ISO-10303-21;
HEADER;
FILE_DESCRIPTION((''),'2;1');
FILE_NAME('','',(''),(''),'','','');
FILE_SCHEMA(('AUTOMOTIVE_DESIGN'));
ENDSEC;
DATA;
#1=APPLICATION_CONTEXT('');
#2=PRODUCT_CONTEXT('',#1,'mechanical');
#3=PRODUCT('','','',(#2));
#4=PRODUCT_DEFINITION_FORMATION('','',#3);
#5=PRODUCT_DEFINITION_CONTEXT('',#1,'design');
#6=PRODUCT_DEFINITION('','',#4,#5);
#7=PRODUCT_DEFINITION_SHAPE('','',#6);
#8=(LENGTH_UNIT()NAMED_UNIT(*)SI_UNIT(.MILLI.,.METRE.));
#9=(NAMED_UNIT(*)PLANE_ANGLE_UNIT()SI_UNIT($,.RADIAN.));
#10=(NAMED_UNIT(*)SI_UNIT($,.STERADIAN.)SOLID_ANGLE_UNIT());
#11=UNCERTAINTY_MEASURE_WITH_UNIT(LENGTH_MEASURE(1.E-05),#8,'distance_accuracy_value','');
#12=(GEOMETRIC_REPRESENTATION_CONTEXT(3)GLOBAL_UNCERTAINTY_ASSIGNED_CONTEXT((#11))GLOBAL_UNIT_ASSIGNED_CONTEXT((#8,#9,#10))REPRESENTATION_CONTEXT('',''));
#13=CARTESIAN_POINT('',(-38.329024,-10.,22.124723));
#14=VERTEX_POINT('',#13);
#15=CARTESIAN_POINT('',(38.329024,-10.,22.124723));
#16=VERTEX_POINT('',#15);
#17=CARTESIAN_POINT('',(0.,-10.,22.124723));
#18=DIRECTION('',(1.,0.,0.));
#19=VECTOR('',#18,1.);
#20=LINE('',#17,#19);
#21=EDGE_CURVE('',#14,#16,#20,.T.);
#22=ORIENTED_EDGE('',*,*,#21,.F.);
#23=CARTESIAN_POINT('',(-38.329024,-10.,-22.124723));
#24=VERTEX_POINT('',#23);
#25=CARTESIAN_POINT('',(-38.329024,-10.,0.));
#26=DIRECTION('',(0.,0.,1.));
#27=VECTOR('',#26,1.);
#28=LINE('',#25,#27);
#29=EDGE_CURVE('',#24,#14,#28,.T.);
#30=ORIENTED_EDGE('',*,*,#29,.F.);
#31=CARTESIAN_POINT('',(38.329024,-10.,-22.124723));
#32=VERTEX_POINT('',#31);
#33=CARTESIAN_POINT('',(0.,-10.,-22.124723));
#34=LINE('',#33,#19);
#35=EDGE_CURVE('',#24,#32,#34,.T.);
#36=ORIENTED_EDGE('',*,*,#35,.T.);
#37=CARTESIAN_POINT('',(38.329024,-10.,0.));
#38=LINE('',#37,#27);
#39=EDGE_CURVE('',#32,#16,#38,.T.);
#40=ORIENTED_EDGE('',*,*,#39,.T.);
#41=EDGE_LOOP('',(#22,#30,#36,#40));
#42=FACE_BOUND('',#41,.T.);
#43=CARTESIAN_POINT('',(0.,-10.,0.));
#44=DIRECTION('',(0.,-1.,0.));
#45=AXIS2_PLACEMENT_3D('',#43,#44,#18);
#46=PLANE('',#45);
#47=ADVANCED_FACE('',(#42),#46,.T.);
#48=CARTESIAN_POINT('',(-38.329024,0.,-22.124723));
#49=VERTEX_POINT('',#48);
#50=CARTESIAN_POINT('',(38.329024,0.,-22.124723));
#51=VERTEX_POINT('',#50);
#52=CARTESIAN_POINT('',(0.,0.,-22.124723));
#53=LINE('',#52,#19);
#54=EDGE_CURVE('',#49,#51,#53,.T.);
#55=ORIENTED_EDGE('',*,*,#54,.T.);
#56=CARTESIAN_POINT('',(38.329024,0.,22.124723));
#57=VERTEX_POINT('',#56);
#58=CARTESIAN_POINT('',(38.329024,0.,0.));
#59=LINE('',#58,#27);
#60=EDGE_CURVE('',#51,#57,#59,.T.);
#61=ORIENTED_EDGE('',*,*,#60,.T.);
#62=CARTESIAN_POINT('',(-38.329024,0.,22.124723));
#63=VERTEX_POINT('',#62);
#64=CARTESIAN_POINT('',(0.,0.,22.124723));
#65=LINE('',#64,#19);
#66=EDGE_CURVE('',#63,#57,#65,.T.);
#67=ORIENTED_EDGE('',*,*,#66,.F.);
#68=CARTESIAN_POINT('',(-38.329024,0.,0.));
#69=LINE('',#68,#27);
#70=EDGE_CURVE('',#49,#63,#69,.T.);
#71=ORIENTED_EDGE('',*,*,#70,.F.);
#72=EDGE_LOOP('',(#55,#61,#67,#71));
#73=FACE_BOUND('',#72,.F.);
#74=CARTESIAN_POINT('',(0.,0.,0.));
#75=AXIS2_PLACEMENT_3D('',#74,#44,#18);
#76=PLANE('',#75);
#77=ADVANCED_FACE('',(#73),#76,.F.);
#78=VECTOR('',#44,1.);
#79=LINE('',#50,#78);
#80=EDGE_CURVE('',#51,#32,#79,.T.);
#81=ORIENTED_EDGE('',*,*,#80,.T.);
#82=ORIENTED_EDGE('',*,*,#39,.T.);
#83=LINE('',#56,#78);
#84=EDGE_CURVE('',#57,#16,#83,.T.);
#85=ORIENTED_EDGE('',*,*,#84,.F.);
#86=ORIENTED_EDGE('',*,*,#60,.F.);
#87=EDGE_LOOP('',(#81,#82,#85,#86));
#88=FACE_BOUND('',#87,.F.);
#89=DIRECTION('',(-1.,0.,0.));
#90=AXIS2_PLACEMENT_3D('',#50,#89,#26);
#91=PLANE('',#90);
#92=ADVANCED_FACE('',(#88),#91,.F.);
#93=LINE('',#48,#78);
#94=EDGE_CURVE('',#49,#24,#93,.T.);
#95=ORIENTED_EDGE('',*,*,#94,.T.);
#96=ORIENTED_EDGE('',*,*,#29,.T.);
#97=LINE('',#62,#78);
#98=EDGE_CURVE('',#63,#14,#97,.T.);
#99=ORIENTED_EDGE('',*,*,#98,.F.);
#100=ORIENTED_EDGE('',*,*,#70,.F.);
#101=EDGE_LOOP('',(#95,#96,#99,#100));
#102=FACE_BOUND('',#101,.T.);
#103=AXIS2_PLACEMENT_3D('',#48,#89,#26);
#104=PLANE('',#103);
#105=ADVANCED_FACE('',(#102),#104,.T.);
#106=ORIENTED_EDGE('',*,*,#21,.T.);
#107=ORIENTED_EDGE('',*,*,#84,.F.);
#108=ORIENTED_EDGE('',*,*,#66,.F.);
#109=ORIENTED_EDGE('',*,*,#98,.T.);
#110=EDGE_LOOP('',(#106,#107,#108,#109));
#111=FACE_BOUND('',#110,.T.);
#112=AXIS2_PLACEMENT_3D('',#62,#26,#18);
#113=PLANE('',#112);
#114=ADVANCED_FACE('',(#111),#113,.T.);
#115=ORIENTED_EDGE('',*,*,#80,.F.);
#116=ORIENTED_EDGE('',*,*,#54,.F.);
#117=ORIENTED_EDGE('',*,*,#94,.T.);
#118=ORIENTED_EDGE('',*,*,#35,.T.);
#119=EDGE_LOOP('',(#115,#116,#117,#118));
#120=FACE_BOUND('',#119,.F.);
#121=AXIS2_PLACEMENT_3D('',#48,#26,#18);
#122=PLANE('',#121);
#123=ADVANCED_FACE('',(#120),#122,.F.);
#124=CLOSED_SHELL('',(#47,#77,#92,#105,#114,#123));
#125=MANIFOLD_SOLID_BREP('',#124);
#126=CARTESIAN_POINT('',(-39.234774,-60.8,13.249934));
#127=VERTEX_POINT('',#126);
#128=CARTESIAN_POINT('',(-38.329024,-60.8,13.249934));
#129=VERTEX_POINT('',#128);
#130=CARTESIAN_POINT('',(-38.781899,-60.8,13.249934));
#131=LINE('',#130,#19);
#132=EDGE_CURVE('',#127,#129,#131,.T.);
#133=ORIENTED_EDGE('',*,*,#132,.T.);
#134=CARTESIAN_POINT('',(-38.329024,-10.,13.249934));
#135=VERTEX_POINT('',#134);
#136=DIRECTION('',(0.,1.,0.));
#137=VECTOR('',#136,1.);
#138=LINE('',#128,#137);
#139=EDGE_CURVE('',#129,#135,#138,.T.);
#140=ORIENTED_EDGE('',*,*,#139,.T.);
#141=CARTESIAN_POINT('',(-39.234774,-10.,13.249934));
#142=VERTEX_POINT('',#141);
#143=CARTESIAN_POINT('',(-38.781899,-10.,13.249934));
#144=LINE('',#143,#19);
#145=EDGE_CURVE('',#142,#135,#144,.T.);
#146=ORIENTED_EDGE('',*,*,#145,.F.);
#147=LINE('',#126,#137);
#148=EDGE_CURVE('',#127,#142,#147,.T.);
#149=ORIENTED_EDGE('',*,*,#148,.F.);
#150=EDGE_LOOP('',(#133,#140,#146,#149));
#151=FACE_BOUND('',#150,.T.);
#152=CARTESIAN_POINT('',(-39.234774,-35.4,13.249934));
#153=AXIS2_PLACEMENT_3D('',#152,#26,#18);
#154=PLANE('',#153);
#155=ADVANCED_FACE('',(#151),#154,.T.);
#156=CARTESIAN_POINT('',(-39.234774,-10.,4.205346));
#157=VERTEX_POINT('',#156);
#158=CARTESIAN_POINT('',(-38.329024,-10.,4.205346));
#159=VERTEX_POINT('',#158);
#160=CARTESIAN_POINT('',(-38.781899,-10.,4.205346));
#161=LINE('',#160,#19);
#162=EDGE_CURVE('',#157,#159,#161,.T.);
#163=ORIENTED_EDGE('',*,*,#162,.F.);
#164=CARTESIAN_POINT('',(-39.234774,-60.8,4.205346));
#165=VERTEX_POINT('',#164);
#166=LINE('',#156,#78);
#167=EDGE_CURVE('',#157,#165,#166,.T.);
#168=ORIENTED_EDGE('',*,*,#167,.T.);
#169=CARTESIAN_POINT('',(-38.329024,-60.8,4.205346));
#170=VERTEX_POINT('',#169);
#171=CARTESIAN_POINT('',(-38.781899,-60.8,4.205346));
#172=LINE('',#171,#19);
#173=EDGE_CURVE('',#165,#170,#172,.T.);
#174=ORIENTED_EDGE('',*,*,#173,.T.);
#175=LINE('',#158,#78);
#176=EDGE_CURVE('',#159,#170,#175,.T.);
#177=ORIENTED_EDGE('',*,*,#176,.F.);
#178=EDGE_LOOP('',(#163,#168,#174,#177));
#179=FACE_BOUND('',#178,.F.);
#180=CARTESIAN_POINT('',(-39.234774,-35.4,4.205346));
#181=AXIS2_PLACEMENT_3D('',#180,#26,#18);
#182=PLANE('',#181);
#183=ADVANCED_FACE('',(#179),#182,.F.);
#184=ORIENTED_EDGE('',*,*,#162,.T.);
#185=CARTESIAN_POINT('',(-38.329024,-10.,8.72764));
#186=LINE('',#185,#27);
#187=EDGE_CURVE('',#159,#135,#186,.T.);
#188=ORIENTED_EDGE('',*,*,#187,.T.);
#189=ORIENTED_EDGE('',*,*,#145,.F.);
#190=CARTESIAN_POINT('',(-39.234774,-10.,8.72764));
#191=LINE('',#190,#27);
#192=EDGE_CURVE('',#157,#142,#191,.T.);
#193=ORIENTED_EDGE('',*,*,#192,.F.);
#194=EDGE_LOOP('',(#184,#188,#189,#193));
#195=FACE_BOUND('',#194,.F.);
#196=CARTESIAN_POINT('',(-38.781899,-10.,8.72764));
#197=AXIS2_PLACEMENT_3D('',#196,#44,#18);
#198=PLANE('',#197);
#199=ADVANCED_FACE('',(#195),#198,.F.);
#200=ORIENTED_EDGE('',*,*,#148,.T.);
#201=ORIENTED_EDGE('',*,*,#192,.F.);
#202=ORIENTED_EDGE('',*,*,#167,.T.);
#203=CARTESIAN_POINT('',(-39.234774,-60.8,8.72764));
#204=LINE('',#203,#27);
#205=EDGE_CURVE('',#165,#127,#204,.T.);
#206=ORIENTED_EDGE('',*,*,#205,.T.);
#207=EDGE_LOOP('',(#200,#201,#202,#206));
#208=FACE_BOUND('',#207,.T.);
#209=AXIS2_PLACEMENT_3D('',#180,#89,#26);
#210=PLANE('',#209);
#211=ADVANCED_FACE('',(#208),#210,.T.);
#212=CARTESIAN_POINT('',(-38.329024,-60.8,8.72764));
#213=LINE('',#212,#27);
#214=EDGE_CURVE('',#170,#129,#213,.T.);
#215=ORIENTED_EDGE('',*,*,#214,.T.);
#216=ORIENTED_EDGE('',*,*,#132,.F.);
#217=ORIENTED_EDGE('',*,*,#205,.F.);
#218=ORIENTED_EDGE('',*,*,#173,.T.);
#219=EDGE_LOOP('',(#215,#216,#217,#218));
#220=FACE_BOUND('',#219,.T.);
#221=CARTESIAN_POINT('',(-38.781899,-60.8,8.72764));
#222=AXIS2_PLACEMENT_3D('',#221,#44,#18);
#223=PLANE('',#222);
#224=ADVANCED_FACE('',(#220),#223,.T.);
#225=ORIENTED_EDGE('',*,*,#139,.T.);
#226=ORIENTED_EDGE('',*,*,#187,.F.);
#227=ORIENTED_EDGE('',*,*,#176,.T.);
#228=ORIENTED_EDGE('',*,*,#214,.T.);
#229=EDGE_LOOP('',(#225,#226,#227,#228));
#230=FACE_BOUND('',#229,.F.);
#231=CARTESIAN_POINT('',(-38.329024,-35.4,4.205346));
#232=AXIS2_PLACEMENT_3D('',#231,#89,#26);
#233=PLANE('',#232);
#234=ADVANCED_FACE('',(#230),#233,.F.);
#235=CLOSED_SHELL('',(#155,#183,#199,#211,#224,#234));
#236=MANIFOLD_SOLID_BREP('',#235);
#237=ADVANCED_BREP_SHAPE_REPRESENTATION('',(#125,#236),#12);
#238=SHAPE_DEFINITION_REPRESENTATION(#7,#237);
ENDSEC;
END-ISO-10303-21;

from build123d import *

# Parameters (mm, degrees)
F0_W     = 76.6580477357
F0_H     = 44.2494452
F1_DEPTH = 10
F2_W     = 0.9057503194
F2_H     = 9.0445876122
F3_DEPTH = 25.4
F4_DEPTH = 25.4


with BuildPart() as f1:
    # F0 (on Front) → F1 (new body)
    with BuildSketch(Plane.XZ):
        Rectangle(F0_W, F0_H)
    extrude(amount=F1_DEPTH)


with BuildPart() as f3:
    # F2 (on face) → F3 (new body)
    with BuildSketch(Plane.XZ.offset(10)):
        with Locations((-38.7818990275, 8.7276399136)):
            Rectangle(F2_W, F2_H)
    extrude(amount=F3_DEPTH)

    # F4 (add): a face of the model
    f4_faces = [f3.faces().sort_by_distance(p)[0] for p in [
        (-38.7818990275, -35.4, 8.7276399136),
    ]]
    extrude(f4_faces, amount=F4_DEPTH)


solid = Compound([f1.part, f3.part])
